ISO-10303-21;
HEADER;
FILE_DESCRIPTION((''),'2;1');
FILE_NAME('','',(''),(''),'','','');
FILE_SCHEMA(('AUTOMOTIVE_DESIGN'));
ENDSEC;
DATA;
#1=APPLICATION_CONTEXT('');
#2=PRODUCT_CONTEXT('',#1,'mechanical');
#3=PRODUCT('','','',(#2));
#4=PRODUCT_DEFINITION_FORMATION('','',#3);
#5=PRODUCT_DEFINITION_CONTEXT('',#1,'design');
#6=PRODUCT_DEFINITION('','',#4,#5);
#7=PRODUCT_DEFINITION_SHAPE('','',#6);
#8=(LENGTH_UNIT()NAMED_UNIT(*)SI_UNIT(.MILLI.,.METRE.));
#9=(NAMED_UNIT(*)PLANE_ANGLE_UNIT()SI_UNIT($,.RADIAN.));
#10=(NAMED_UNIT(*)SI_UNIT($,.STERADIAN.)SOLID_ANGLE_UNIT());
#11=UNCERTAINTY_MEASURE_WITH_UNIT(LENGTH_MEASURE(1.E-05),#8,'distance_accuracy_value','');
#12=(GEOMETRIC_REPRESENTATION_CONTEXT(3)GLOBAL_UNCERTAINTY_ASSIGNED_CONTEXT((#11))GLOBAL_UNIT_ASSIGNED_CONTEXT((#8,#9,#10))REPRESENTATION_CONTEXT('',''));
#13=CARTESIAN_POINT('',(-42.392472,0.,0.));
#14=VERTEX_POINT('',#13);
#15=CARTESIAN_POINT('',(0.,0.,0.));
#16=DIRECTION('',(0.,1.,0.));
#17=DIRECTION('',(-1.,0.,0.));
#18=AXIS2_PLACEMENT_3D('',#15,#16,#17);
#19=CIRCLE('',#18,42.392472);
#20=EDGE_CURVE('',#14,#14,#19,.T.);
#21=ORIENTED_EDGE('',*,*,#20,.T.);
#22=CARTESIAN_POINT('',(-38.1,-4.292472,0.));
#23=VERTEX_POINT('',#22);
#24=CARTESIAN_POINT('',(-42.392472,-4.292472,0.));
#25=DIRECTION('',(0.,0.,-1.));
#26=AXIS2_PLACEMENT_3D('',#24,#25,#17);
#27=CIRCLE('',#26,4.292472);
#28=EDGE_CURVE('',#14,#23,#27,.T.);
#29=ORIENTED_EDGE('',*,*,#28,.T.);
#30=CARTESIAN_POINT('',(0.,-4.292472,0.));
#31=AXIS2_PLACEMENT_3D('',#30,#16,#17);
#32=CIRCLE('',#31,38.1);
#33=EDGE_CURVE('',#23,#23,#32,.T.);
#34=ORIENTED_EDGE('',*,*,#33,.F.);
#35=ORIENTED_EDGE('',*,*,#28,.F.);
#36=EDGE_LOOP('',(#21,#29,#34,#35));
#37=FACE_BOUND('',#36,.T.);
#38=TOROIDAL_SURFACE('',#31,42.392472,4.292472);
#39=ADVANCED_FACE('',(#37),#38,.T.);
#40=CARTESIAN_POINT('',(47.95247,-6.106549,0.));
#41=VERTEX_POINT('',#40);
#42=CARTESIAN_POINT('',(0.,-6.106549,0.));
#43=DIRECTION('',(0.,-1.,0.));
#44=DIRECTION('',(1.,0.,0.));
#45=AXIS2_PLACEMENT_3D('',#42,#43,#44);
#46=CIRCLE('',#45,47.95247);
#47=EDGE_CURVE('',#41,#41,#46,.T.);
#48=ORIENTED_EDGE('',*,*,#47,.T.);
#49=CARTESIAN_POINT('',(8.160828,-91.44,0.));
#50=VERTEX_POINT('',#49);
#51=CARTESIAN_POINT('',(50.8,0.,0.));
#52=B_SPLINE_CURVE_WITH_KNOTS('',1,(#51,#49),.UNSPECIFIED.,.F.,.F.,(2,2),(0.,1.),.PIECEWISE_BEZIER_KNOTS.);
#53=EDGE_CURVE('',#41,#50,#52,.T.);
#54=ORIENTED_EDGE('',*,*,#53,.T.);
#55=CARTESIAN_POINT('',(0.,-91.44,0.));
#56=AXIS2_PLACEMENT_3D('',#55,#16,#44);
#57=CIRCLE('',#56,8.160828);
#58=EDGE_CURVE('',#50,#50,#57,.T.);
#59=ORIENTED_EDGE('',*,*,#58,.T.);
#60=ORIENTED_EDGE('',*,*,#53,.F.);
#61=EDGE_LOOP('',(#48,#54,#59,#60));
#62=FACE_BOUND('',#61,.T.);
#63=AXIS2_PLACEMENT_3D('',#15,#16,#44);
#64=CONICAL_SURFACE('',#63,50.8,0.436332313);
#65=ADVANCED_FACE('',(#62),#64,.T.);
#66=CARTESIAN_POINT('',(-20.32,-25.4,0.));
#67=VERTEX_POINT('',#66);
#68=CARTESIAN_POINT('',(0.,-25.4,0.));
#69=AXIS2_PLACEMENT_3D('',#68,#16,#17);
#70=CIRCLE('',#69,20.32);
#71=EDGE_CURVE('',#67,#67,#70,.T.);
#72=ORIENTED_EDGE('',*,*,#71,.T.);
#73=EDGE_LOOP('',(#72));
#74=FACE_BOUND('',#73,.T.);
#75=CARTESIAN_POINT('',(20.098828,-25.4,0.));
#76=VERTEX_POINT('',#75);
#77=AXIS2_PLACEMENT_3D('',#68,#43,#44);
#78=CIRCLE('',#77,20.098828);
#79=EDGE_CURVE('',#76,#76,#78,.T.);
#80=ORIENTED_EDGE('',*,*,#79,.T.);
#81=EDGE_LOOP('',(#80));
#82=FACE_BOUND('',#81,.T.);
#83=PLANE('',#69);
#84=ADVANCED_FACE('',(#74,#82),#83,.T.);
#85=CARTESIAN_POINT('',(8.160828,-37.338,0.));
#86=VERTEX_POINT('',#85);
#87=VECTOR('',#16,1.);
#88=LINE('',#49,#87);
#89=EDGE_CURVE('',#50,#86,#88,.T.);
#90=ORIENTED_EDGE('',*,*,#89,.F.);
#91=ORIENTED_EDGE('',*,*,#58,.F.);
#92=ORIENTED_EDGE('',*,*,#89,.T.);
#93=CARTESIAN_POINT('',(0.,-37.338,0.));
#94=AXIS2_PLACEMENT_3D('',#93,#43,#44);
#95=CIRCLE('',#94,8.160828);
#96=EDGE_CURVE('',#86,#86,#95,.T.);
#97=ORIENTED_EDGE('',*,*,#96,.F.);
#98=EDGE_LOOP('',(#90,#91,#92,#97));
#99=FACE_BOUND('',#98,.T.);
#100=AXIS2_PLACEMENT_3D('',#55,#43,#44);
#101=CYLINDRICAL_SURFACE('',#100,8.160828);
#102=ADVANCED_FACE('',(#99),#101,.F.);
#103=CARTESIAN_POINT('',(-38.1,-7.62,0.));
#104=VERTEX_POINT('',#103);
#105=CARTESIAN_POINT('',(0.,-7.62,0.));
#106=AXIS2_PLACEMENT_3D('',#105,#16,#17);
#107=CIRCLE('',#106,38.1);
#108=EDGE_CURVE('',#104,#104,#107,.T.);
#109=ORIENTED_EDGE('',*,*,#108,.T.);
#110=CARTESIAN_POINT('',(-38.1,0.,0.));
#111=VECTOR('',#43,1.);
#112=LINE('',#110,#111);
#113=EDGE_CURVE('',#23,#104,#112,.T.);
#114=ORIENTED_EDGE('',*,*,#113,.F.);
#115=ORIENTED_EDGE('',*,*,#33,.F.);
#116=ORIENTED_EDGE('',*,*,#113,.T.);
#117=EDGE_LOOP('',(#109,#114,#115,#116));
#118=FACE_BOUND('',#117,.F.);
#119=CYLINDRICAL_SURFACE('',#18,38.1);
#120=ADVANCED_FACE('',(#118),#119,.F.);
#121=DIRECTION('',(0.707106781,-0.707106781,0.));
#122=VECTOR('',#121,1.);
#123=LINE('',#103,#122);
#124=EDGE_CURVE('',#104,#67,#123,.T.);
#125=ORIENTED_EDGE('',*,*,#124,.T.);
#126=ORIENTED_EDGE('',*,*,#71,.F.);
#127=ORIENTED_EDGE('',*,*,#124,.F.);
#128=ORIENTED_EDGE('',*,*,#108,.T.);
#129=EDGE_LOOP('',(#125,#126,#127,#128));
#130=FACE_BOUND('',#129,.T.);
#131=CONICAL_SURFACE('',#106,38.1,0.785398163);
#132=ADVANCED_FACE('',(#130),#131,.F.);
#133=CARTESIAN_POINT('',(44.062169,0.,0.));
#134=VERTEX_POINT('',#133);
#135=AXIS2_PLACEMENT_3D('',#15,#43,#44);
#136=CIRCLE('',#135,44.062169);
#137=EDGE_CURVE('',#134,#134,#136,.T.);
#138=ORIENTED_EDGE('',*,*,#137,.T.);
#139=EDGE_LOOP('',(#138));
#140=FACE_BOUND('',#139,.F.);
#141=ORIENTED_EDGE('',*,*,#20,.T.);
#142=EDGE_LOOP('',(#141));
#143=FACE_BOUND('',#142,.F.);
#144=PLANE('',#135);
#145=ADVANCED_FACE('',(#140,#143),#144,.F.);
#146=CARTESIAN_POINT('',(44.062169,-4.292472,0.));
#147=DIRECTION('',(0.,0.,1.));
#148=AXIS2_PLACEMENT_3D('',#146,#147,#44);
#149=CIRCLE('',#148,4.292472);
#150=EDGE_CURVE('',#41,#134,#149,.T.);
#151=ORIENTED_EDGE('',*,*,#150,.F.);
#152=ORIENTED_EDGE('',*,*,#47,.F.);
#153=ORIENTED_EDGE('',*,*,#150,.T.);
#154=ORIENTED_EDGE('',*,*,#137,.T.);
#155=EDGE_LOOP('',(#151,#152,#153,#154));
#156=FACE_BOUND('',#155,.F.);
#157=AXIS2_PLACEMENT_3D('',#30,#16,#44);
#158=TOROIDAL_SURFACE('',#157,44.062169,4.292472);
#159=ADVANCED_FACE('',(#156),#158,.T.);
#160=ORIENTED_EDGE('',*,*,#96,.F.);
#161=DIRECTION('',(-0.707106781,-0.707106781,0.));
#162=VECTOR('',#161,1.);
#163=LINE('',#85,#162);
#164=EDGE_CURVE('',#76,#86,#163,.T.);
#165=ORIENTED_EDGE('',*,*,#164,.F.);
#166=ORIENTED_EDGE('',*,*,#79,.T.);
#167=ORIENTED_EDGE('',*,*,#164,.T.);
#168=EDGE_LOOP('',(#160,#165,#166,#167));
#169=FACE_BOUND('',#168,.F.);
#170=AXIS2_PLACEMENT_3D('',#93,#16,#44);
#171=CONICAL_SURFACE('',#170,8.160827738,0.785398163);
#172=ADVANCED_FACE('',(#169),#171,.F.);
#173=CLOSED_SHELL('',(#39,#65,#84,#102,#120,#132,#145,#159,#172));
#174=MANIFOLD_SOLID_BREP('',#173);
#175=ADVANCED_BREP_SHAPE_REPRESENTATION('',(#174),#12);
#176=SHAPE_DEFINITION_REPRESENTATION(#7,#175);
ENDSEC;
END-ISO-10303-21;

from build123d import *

# Parameters (mm, degrees)
F0_R     = 50.8
F1_DEPTH = 91.44
F1_TAPER = 25
F2_R     = 38.1
F3_DEPTH = 25.4
F4_R     = 4.2924717139
F5_SIZE  = 17.78
F6_DEPTH = 106.172
F7_SIZE  = 11.938


with BuildPart() as f1:
    # F0 (on Front) → F1 (new body)
    with BuildSketch(Plane.XZ):
        Circle(F0_R)
    extrude(amount=F1_DEPTH, taper=F1_TAPER)

    # F2 (on face) → F3 (cut)
    with BuildSketch(Plane(origin=(0, 0, 0), x_dir=(-1, 0, 0), z_dir=(0, 1, 0))):
        Circle(F2_R)
    extrude(amount=-F3_DEPTH, mode=Mode.SUBTRACT)

    # F4
    f4_edges = [f1.edges().sort_by_distance(p)[0] for p in [
        (-50.8, 0, 0),
        (38.1, 0, 0),
    ]]
    fillet(f4_edges, radius=F4_R)

    # F5
    f5_edges = [f1.edges().sort_by_distance(p)[0] for p in [
        (38.1, -4.292472, 0),
        (38.1, -25.4, 0),
    ]]
    chamfer(f5_edges, length=F5_SIZE)

    # F6 (cut): a face of the model
    f6_faces = [f1.faces().sort_by_distance(p)[0] for p in [
        (0, -91.44, 0),
    ]]
    extrude(f6_faces, amount=-F6_DEPTH, mode=Mode.SUBTRACT)

    # F7
    f7_edges = [f1.edges().sort_by_distance(p)[0] for p in [
        (-8.160828, -25.4, 0),
    ]]
    chamfer(f7_edges, length=F7_SIZE)


solid = f1.part
